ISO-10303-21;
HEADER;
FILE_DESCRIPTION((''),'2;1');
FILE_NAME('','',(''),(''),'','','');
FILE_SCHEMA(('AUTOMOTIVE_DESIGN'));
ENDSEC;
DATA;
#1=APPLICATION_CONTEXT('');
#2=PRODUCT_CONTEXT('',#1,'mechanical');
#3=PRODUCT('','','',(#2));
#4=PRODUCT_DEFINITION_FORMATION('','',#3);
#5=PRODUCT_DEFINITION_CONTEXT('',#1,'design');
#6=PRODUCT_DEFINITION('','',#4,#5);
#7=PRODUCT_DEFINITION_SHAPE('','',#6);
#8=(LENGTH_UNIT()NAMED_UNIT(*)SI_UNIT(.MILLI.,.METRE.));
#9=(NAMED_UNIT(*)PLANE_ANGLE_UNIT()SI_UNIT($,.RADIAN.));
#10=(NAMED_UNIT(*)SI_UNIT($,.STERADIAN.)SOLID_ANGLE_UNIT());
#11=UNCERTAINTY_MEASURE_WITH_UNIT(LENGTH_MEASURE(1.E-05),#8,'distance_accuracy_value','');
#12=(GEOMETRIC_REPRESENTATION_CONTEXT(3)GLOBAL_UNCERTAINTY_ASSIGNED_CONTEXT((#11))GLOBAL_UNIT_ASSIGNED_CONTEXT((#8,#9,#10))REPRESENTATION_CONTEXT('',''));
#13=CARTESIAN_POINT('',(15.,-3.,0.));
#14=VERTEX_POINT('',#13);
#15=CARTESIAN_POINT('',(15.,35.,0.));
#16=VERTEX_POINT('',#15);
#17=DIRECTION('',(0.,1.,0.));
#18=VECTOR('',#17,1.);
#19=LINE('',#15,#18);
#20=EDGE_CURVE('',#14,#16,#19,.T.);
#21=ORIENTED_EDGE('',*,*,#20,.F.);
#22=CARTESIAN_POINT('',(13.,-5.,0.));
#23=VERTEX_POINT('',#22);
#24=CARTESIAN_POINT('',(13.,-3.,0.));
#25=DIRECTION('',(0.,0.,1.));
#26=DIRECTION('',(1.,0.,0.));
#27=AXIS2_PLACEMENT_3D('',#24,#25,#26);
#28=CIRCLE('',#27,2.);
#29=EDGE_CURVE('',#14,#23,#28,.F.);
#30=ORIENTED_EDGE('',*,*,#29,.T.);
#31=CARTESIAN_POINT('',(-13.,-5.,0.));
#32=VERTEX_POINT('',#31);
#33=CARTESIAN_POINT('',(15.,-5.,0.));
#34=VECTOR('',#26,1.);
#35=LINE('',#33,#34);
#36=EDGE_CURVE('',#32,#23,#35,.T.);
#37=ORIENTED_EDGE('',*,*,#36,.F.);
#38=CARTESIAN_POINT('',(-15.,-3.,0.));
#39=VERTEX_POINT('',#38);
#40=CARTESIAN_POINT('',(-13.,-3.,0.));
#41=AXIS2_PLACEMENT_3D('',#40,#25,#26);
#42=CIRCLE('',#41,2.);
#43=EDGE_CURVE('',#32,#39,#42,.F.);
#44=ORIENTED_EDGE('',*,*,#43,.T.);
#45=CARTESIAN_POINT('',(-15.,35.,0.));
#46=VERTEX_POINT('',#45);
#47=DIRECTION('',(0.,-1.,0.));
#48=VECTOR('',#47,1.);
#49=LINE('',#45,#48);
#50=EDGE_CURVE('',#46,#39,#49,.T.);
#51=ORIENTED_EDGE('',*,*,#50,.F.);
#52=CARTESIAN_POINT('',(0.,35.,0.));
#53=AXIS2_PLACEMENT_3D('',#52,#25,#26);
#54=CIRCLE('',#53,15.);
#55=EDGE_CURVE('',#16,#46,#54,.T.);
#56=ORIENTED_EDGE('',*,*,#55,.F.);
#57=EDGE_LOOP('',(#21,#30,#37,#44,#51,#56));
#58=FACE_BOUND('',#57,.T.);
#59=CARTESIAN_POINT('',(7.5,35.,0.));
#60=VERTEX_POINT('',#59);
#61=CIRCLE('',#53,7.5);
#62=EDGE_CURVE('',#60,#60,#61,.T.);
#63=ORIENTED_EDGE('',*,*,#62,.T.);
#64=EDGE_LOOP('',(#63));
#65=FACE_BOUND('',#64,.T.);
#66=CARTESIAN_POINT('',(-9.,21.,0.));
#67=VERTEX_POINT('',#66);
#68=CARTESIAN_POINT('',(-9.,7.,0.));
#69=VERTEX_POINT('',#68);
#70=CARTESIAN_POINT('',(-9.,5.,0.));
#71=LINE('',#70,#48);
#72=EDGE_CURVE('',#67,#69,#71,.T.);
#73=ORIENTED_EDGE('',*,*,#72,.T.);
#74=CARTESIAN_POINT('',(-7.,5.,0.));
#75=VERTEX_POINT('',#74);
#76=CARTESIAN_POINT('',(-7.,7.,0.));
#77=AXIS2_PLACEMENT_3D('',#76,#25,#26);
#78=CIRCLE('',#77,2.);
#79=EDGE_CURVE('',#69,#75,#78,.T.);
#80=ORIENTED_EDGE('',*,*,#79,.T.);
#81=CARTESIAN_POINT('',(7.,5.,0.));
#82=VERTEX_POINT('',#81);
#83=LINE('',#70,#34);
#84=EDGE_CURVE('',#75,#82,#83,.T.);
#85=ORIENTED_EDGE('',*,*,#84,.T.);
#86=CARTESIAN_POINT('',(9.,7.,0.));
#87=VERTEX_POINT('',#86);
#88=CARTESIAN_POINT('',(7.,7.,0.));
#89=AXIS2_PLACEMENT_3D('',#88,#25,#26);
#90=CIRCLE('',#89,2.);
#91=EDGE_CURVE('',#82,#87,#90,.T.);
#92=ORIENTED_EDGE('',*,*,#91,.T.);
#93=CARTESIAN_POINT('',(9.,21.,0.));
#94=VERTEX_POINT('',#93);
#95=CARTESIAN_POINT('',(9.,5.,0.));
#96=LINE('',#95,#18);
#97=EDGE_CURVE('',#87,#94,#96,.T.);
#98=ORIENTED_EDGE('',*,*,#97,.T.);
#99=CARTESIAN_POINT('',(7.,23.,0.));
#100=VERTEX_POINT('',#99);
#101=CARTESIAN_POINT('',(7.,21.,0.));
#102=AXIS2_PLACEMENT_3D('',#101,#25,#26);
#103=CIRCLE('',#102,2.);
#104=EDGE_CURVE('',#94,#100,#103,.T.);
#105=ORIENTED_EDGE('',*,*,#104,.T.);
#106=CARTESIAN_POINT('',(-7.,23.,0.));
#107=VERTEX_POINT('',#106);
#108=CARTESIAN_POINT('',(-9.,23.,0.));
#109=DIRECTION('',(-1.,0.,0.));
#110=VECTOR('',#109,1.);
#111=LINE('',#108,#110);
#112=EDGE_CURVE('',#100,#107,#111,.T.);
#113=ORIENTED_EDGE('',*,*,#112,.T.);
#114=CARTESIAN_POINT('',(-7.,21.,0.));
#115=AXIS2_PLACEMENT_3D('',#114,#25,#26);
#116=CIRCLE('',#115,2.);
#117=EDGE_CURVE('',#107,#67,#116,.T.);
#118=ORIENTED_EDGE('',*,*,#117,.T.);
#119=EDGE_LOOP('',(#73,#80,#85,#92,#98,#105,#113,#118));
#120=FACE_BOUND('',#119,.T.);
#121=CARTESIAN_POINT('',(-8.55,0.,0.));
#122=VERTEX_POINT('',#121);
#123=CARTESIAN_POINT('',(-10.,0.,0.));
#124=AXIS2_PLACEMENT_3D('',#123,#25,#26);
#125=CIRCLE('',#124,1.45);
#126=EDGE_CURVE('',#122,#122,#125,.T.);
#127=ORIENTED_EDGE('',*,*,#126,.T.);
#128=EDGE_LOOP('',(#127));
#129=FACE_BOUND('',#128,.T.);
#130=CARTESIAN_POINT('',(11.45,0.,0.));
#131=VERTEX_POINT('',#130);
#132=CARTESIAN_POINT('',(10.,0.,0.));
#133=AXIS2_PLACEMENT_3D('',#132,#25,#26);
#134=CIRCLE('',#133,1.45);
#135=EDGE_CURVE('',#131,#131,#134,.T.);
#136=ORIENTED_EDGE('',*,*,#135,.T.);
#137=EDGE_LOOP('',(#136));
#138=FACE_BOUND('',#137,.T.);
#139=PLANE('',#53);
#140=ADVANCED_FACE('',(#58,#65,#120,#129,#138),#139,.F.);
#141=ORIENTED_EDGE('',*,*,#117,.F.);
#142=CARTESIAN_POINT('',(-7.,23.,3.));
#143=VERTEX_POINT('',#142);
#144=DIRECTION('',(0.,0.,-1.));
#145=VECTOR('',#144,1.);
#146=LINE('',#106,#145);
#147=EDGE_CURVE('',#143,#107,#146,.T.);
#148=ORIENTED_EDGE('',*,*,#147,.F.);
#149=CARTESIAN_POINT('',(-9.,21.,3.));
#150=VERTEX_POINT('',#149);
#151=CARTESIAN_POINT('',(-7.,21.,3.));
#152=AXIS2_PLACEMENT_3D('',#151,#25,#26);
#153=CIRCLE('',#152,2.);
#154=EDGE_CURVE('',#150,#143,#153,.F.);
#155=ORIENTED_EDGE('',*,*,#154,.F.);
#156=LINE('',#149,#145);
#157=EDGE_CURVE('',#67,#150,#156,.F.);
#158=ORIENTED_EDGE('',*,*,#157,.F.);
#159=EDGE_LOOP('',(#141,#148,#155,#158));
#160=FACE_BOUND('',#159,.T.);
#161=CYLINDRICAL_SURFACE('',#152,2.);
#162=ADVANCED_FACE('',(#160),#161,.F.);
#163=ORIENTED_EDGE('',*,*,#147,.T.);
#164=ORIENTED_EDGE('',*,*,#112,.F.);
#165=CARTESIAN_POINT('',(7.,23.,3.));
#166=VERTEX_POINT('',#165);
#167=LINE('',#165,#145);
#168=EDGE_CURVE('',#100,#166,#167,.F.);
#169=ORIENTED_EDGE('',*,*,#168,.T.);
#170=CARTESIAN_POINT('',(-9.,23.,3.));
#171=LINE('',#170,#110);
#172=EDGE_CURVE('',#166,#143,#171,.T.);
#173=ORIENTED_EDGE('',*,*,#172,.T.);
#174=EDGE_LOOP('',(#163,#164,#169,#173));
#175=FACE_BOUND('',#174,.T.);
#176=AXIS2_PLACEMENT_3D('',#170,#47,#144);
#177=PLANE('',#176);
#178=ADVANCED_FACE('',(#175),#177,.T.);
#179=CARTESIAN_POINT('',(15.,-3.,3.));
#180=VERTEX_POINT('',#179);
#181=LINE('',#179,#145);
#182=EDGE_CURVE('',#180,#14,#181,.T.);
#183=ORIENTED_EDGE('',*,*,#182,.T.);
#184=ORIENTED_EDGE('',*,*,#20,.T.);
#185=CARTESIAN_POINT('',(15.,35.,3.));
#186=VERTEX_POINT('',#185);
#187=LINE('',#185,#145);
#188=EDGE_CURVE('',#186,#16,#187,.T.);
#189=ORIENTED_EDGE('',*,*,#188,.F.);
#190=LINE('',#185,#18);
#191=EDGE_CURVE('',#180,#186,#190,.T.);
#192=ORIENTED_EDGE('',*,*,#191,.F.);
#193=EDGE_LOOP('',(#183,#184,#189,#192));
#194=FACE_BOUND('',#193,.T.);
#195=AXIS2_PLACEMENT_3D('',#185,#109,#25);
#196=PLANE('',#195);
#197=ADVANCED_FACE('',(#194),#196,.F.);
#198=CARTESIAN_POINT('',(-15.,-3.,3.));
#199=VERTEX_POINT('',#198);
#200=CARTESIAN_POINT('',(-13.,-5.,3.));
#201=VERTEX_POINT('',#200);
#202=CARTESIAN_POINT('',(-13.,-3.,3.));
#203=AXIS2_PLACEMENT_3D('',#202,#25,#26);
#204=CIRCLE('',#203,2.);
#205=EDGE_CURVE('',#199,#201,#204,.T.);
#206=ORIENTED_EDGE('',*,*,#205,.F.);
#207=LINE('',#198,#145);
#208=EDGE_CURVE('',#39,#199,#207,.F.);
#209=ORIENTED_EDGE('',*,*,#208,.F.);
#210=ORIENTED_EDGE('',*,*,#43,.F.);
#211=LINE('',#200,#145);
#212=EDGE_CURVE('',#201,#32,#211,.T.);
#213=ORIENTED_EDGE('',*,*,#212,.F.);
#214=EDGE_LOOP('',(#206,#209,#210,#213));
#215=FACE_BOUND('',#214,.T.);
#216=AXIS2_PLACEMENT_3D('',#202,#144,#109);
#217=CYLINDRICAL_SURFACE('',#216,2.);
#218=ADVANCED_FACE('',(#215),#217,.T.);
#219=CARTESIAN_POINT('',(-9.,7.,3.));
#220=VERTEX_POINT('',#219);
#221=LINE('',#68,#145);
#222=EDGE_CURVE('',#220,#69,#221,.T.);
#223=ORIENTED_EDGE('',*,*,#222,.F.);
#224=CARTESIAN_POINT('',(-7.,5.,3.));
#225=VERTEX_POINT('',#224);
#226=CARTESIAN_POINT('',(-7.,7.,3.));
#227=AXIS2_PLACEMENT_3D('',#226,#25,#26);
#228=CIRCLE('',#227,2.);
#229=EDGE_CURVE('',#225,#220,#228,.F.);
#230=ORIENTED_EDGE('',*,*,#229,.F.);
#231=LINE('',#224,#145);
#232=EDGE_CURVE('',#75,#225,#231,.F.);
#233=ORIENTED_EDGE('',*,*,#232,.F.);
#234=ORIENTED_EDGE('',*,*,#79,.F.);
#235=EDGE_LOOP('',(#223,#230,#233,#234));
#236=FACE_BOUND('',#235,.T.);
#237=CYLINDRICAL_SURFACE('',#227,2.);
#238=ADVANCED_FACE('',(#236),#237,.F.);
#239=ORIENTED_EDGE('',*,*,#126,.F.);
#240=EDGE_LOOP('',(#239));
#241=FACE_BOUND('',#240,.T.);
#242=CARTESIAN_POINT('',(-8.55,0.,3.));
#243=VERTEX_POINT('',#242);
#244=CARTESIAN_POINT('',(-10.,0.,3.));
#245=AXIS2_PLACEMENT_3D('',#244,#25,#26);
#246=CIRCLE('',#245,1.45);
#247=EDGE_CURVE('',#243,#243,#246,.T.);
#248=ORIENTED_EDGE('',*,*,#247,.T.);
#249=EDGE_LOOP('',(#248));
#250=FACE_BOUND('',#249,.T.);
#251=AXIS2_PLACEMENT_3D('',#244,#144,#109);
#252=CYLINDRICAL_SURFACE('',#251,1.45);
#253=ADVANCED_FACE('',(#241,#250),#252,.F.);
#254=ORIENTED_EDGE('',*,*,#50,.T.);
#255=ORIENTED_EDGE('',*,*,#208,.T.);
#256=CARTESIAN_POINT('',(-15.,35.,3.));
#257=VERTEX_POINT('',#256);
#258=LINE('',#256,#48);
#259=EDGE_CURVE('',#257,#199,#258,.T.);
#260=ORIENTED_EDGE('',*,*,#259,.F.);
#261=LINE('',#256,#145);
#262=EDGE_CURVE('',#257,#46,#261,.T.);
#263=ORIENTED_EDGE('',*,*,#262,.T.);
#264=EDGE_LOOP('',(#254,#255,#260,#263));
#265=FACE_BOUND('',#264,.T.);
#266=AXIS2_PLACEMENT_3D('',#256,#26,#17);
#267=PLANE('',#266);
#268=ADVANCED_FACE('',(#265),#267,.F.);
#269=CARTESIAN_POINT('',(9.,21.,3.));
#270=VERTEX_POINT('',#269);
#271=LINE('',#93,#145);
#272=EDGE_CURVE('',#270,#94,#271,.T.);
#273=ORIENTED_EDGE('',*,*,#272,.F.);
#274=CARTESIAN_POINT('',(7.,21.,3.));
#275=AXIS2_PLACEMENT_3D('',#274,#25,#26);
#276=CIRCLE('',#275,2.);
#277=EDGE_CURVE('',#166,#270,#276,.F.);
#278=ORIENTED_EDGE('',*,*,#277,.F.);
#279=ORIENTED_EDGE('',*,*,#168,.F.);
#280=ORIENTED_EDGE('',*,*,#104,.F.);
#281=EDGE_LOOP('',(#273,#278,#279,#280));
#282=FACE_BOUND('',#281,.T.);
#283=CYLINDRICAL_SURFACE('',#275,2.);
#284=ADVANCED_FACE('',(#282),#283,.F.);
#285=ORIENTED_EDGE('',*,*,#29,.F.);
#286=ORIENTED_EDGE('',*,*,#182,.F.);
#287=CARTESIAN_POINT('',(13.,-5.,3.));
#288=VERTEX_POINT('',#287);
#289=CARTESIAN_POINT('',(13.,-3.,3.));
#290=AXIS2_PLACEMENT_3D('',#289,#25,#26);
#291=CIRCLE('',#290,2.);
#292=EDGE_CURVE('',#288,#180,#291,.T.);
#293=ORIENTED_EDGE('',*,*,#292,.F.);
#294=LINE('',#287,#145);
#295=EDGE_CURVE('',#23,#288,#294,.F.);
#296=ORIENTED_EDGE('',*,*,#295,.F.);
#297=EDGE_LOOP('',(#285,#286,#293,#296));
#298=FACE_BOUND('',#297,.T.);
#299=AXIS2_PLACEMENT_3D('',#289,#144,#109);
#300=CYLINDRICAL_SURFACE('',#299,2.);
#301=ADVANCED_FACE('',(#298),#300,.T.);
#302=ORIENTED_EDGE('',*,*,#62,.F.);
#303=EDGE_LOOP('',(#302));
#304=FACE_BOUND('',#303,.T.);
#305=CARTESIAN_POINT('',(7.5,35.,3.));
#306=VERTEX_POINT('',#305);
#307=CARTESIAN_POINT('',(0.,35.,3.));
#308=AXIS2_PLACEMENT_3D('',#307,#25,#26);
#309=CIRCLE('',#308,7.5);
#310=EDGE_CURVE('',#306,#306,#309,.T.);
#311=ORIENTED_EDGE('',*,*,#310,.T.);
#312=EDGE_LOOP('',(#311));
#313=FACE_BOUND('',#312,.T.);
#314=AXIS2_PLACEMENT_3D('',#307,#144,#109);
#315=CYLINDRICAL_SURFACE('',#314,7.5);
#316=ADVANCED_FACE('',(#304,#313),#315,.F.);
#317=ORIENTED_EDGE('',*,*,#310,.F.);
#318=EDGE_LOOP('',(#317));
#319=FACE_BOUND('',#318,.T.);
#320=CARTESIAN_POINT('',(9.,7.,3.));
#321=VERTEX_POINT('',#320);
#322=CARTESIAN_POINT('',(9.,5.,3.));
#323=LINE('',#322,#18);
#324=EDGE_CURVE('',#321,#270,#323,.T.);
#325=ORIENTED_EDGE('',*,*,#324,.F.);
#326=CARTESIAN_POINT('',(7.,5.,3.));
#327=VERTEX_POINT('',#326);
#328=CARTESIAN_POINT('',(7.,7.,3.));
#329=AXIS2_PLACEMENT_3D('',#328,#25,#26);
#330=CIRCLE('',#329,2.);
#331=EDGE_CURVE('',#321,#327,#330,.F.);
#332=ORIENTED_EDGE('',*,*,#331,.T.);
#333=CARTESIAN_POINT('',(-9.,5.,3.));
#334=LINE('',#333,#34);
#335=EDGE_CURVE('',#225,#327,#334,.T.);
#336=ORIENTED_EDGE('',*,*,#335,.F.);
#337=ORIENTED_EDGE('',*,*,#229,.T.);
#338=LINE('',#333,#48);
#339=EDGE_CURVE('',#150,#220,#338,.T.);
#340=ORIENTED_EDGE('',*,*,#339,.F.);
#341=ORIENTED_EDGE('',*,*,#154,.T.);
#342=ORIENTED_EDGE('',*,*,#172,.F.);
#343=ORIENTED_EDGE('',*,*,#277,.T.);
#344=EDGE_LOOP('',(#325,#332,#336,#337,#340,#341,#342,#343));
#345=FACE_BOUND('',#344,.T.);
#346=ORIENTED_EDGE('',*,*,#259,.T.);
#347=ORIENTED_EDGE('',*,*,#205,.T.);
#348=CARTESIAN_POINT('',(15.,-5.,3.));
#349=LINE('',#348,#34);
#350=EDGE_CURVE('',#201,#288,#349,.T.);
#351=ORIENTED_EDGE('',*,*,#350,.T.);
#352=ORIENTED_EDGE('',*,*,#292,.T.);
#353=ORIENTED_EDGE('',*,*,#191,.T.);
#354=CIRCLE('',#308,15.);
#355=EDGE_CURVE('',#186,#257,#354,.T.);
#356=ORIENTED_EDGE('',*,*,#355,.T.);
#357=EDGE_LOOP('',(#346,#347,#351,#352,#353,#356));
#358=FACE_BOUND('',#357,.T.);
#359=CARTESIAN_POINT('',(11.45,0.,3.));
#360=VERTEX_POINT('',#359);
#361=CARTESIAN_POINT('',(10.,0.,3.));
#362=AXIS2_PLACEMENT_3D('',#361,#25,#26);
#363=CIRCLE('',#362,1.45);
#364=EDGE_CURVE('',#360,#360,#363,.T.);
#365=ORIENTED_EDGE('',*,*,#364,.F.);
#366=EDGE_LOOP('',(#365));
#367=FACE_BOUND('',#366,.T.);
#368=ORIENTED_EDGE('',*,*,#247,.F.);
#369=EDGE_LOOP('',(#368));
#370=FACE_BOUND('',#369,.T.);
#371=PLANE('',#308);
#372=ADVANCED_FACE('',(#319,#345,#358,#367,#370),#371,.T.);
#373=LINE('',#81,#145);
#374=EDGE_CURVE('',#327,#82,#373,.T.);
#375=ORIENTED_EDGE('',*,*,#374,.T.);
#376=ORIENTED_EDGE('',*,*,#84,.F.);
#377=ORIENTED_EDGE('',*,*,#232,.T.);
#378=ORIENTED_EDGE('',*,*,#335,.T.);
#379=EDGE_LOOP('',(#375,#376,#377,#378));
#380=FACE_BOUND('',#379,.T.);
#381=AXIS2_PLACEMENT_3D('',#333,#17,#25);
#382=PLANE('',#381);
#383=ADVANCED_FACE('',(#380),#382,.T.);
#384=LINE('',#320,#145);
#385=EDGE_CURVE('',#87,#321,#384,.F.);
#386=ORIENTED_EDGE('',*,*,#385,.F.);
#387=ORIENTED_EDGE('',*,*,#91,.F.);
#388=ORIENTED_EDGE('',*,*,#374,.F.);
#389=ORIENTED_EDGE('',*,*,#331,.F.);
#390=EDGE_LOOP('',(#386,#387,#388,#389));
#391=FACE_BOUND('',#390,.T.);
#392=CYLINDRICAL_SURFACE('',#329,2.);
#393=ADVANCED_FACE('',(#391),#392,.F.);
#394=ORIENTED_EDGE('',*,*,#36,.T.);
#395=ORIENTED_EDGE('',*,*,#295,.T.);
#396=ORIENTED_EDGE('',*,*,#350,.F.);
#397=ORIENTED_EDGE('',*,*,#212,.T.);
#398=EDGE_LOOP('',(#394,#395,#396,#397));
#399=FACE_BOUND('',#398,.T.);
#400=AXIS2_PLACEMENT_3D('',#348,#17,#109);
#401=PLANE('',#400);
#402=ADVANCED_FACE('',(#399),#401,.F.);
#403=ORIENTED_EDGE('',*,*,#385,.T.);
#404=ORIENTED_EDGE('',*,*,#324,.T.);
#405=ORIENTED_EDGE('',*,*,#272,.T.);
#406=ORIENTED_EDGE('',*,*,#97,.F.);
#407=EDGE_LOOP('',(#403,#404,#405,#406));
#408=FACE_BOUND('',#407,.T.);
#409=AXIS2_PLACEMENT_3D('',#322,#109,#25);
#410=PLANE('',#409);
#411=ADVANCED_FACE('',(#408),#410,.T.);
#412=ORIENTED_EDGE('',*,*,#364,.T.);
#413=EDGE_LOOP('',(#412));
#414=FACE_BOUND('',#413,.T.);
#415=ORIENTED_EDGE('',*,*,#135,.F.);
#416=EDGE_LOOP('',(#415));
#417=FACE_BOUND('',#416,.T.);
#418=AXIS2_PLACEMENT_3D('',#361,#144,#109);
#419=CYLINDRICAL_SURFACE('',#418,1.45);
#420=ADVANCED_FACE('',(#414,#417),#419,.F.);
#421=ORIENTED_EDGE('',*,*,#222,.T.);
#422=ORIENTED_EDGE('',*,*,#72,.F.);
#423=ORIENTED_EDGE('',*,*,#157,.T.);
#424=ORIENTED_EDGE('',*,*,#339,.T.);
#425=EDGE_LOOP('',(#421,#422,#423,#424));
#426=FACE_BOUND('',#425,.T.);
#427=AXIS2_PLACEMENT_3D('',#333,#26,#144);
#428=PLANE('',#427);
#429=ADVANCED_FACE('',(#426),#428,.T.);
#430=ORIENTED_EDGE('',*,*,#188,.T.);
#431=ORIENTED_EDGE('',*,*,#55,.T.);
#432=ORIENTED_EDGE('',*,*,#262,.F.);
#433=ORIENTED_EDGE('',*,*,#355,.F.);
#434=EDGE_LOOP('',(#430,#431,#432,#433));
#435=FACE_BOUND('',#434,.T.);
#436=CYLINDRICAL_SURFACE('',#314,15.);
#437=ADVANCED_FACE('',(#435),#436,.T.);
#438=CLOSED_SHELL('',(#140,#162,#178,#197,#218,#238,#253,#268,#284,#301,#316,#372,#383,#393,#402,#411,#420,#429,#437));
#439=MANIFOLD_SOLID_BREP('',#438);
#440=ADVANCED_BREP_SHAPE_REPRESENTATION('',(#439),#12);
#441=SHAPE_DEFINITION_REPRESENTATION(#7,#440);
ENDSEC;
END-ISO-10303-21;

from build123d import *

# Parameters (mm, degrees)
SKETCH_1_R      = 7.5
SKETCH_1_R_2    = 1.45
SKETCH_1_W      = 18
SKETCH_1_H      = 18
EXTRUDE_1_DEPTH = 3
FILLET_1_R      = 2


with BuildPart() as part:
    # 草图1 → 凸台-拉伸1 (new body)
    with BuildSketch(Plane.XY):
        with BuildLine():
            Line((-15, 35), (-15, -5))
            Line((-15, -5), (15, -5))
            Line((15, -5), (15, 35))
            ThreePointArc((15, 35), (0, 50), (-15, 35))
        make_face()
        with Locations((0, 35)):
            Circle(SKETCH_1_R, mode=Mode.SUBTRACT)
        with Locations((-10, 0)):
            Circle(SKETCH_1_R_2, mode=Mode.SUBTRACT)
        with Locations((10, 0)):
            Circle(SKETCH_1_R_2, mode=Mode.SUBTRACT)
        with Locations((0, 14)):
            Rectangle(SKETCH_1_W, SKETCH_1_H, mode=Mode.SUBTRACT)
    extrude(amount=EXTRUDE_1_DEPTH)

    # 圆角1
    fillet_1_edges = [part.edges().sort_by_distance(p)[0] for p in [
        (9, 5, 1.5),
        (9, 23, 1.5),
        (-9, 23, 1.5),
        (-9, 5, 1.5),
        (15, -5, 1.5),
        (-15, -5, 1.5),
    ]]
    fillet(fillet_1_edges, radius=FILLET_1_R)


solid = part.part
